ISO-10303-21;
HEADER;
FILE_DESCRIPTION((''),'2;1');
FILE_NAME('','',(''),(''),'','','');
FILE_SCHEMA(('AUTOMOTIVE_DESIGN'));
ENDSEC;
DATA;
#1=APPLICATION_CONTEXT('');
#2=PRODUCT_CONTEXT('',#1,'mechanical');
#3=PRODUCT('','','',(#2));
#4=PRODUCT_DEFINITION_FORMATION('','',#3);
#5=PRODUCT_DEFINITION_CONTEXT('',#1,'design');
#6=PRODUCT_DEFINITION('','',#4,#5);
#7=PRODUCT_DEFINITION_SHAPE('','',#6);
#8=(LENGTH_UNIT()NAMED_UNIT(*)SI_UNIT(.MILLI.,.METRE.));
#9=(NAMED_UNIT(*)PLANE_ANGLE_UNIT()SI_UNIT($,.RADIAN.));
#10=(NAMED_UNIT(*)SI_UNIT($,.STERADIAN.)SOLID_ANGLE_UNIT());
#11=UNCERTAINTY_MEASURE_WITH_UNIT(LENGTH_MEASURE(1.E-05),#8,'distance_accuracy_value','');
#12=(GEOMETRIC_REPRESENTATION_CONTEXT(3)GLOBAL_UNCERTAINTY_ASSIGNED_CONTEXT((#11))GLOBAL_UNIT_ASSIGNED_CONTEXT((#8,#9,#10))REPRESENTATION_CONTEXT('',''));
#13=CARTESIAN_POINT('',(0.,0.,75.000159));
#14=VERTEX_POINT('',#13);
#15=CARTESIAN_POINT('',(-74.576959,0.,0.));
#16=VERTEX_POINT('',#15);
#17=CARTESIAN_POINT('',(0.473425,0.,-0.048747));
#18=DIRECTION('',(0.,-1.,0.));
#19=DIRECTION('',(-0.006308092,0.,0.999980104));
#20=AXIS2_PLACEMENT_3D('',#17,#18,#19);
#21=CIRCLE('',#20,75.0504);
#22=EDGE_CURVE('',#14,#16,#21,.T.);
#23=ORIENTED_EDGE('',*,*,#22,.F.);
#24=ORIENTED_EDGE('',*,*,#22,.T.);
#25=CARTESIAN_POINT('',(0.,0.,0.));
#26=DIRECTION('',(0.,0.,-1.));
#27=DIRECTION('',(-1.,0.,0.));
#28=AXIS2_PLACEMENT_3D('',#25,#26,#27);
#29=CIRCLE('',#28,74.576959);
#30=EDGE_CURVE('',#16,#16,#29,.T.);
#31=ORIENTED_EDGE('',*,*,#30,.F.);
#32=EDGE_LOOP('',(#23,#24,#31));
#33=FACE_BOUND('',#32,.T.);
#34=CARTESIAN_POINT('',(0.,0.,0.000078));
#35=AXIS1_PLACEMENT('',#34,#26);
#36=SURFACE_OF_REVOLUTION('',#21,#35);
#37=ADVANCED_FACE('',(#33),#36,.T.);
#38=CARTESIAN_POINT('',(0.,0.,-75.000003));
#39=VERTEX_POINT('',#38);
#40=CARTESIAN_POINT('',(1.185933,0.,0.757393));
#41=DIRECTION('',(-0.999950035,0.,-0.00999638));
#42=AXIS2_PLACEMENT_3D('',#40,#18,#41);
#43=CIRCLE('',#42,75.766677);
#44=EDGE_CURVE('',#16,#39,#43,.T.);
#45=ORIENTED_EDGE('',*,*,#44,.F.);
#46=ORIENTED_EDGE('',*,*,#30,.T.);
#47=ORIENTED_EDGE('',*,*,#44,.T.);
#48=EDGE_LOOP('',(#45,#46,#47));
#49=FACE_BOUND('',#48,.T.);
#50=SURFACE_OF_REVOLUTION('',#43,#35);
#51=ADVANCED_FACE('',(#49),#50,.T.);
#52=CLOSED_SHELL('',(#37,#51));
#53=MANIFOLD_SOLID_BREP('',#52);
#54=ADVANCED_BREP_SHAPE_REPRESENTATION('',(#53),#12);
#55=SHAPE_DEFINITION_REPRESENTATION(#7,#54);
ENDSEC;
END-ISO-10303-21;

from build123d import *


with BuildPart() as f1:
    # F0 (on Front) → F1 (revolve)
    with BuildSketch(Plane.XZ):
        with BuildLine():
            Line((0, -75.000003), (0, 75.000159))
            ThreePointArc((0, 75.000159), (-52.745156, 52.86954), (-74.576959, 0))
            ThreePointArc((-74.576959, 0), (-52.540509, -52.666), (0, -75.000003))
        make_face()
    revolve(axis=Axis((0, 0, 7.8e-05), (0, 0, -1)))


solid = f1.part
